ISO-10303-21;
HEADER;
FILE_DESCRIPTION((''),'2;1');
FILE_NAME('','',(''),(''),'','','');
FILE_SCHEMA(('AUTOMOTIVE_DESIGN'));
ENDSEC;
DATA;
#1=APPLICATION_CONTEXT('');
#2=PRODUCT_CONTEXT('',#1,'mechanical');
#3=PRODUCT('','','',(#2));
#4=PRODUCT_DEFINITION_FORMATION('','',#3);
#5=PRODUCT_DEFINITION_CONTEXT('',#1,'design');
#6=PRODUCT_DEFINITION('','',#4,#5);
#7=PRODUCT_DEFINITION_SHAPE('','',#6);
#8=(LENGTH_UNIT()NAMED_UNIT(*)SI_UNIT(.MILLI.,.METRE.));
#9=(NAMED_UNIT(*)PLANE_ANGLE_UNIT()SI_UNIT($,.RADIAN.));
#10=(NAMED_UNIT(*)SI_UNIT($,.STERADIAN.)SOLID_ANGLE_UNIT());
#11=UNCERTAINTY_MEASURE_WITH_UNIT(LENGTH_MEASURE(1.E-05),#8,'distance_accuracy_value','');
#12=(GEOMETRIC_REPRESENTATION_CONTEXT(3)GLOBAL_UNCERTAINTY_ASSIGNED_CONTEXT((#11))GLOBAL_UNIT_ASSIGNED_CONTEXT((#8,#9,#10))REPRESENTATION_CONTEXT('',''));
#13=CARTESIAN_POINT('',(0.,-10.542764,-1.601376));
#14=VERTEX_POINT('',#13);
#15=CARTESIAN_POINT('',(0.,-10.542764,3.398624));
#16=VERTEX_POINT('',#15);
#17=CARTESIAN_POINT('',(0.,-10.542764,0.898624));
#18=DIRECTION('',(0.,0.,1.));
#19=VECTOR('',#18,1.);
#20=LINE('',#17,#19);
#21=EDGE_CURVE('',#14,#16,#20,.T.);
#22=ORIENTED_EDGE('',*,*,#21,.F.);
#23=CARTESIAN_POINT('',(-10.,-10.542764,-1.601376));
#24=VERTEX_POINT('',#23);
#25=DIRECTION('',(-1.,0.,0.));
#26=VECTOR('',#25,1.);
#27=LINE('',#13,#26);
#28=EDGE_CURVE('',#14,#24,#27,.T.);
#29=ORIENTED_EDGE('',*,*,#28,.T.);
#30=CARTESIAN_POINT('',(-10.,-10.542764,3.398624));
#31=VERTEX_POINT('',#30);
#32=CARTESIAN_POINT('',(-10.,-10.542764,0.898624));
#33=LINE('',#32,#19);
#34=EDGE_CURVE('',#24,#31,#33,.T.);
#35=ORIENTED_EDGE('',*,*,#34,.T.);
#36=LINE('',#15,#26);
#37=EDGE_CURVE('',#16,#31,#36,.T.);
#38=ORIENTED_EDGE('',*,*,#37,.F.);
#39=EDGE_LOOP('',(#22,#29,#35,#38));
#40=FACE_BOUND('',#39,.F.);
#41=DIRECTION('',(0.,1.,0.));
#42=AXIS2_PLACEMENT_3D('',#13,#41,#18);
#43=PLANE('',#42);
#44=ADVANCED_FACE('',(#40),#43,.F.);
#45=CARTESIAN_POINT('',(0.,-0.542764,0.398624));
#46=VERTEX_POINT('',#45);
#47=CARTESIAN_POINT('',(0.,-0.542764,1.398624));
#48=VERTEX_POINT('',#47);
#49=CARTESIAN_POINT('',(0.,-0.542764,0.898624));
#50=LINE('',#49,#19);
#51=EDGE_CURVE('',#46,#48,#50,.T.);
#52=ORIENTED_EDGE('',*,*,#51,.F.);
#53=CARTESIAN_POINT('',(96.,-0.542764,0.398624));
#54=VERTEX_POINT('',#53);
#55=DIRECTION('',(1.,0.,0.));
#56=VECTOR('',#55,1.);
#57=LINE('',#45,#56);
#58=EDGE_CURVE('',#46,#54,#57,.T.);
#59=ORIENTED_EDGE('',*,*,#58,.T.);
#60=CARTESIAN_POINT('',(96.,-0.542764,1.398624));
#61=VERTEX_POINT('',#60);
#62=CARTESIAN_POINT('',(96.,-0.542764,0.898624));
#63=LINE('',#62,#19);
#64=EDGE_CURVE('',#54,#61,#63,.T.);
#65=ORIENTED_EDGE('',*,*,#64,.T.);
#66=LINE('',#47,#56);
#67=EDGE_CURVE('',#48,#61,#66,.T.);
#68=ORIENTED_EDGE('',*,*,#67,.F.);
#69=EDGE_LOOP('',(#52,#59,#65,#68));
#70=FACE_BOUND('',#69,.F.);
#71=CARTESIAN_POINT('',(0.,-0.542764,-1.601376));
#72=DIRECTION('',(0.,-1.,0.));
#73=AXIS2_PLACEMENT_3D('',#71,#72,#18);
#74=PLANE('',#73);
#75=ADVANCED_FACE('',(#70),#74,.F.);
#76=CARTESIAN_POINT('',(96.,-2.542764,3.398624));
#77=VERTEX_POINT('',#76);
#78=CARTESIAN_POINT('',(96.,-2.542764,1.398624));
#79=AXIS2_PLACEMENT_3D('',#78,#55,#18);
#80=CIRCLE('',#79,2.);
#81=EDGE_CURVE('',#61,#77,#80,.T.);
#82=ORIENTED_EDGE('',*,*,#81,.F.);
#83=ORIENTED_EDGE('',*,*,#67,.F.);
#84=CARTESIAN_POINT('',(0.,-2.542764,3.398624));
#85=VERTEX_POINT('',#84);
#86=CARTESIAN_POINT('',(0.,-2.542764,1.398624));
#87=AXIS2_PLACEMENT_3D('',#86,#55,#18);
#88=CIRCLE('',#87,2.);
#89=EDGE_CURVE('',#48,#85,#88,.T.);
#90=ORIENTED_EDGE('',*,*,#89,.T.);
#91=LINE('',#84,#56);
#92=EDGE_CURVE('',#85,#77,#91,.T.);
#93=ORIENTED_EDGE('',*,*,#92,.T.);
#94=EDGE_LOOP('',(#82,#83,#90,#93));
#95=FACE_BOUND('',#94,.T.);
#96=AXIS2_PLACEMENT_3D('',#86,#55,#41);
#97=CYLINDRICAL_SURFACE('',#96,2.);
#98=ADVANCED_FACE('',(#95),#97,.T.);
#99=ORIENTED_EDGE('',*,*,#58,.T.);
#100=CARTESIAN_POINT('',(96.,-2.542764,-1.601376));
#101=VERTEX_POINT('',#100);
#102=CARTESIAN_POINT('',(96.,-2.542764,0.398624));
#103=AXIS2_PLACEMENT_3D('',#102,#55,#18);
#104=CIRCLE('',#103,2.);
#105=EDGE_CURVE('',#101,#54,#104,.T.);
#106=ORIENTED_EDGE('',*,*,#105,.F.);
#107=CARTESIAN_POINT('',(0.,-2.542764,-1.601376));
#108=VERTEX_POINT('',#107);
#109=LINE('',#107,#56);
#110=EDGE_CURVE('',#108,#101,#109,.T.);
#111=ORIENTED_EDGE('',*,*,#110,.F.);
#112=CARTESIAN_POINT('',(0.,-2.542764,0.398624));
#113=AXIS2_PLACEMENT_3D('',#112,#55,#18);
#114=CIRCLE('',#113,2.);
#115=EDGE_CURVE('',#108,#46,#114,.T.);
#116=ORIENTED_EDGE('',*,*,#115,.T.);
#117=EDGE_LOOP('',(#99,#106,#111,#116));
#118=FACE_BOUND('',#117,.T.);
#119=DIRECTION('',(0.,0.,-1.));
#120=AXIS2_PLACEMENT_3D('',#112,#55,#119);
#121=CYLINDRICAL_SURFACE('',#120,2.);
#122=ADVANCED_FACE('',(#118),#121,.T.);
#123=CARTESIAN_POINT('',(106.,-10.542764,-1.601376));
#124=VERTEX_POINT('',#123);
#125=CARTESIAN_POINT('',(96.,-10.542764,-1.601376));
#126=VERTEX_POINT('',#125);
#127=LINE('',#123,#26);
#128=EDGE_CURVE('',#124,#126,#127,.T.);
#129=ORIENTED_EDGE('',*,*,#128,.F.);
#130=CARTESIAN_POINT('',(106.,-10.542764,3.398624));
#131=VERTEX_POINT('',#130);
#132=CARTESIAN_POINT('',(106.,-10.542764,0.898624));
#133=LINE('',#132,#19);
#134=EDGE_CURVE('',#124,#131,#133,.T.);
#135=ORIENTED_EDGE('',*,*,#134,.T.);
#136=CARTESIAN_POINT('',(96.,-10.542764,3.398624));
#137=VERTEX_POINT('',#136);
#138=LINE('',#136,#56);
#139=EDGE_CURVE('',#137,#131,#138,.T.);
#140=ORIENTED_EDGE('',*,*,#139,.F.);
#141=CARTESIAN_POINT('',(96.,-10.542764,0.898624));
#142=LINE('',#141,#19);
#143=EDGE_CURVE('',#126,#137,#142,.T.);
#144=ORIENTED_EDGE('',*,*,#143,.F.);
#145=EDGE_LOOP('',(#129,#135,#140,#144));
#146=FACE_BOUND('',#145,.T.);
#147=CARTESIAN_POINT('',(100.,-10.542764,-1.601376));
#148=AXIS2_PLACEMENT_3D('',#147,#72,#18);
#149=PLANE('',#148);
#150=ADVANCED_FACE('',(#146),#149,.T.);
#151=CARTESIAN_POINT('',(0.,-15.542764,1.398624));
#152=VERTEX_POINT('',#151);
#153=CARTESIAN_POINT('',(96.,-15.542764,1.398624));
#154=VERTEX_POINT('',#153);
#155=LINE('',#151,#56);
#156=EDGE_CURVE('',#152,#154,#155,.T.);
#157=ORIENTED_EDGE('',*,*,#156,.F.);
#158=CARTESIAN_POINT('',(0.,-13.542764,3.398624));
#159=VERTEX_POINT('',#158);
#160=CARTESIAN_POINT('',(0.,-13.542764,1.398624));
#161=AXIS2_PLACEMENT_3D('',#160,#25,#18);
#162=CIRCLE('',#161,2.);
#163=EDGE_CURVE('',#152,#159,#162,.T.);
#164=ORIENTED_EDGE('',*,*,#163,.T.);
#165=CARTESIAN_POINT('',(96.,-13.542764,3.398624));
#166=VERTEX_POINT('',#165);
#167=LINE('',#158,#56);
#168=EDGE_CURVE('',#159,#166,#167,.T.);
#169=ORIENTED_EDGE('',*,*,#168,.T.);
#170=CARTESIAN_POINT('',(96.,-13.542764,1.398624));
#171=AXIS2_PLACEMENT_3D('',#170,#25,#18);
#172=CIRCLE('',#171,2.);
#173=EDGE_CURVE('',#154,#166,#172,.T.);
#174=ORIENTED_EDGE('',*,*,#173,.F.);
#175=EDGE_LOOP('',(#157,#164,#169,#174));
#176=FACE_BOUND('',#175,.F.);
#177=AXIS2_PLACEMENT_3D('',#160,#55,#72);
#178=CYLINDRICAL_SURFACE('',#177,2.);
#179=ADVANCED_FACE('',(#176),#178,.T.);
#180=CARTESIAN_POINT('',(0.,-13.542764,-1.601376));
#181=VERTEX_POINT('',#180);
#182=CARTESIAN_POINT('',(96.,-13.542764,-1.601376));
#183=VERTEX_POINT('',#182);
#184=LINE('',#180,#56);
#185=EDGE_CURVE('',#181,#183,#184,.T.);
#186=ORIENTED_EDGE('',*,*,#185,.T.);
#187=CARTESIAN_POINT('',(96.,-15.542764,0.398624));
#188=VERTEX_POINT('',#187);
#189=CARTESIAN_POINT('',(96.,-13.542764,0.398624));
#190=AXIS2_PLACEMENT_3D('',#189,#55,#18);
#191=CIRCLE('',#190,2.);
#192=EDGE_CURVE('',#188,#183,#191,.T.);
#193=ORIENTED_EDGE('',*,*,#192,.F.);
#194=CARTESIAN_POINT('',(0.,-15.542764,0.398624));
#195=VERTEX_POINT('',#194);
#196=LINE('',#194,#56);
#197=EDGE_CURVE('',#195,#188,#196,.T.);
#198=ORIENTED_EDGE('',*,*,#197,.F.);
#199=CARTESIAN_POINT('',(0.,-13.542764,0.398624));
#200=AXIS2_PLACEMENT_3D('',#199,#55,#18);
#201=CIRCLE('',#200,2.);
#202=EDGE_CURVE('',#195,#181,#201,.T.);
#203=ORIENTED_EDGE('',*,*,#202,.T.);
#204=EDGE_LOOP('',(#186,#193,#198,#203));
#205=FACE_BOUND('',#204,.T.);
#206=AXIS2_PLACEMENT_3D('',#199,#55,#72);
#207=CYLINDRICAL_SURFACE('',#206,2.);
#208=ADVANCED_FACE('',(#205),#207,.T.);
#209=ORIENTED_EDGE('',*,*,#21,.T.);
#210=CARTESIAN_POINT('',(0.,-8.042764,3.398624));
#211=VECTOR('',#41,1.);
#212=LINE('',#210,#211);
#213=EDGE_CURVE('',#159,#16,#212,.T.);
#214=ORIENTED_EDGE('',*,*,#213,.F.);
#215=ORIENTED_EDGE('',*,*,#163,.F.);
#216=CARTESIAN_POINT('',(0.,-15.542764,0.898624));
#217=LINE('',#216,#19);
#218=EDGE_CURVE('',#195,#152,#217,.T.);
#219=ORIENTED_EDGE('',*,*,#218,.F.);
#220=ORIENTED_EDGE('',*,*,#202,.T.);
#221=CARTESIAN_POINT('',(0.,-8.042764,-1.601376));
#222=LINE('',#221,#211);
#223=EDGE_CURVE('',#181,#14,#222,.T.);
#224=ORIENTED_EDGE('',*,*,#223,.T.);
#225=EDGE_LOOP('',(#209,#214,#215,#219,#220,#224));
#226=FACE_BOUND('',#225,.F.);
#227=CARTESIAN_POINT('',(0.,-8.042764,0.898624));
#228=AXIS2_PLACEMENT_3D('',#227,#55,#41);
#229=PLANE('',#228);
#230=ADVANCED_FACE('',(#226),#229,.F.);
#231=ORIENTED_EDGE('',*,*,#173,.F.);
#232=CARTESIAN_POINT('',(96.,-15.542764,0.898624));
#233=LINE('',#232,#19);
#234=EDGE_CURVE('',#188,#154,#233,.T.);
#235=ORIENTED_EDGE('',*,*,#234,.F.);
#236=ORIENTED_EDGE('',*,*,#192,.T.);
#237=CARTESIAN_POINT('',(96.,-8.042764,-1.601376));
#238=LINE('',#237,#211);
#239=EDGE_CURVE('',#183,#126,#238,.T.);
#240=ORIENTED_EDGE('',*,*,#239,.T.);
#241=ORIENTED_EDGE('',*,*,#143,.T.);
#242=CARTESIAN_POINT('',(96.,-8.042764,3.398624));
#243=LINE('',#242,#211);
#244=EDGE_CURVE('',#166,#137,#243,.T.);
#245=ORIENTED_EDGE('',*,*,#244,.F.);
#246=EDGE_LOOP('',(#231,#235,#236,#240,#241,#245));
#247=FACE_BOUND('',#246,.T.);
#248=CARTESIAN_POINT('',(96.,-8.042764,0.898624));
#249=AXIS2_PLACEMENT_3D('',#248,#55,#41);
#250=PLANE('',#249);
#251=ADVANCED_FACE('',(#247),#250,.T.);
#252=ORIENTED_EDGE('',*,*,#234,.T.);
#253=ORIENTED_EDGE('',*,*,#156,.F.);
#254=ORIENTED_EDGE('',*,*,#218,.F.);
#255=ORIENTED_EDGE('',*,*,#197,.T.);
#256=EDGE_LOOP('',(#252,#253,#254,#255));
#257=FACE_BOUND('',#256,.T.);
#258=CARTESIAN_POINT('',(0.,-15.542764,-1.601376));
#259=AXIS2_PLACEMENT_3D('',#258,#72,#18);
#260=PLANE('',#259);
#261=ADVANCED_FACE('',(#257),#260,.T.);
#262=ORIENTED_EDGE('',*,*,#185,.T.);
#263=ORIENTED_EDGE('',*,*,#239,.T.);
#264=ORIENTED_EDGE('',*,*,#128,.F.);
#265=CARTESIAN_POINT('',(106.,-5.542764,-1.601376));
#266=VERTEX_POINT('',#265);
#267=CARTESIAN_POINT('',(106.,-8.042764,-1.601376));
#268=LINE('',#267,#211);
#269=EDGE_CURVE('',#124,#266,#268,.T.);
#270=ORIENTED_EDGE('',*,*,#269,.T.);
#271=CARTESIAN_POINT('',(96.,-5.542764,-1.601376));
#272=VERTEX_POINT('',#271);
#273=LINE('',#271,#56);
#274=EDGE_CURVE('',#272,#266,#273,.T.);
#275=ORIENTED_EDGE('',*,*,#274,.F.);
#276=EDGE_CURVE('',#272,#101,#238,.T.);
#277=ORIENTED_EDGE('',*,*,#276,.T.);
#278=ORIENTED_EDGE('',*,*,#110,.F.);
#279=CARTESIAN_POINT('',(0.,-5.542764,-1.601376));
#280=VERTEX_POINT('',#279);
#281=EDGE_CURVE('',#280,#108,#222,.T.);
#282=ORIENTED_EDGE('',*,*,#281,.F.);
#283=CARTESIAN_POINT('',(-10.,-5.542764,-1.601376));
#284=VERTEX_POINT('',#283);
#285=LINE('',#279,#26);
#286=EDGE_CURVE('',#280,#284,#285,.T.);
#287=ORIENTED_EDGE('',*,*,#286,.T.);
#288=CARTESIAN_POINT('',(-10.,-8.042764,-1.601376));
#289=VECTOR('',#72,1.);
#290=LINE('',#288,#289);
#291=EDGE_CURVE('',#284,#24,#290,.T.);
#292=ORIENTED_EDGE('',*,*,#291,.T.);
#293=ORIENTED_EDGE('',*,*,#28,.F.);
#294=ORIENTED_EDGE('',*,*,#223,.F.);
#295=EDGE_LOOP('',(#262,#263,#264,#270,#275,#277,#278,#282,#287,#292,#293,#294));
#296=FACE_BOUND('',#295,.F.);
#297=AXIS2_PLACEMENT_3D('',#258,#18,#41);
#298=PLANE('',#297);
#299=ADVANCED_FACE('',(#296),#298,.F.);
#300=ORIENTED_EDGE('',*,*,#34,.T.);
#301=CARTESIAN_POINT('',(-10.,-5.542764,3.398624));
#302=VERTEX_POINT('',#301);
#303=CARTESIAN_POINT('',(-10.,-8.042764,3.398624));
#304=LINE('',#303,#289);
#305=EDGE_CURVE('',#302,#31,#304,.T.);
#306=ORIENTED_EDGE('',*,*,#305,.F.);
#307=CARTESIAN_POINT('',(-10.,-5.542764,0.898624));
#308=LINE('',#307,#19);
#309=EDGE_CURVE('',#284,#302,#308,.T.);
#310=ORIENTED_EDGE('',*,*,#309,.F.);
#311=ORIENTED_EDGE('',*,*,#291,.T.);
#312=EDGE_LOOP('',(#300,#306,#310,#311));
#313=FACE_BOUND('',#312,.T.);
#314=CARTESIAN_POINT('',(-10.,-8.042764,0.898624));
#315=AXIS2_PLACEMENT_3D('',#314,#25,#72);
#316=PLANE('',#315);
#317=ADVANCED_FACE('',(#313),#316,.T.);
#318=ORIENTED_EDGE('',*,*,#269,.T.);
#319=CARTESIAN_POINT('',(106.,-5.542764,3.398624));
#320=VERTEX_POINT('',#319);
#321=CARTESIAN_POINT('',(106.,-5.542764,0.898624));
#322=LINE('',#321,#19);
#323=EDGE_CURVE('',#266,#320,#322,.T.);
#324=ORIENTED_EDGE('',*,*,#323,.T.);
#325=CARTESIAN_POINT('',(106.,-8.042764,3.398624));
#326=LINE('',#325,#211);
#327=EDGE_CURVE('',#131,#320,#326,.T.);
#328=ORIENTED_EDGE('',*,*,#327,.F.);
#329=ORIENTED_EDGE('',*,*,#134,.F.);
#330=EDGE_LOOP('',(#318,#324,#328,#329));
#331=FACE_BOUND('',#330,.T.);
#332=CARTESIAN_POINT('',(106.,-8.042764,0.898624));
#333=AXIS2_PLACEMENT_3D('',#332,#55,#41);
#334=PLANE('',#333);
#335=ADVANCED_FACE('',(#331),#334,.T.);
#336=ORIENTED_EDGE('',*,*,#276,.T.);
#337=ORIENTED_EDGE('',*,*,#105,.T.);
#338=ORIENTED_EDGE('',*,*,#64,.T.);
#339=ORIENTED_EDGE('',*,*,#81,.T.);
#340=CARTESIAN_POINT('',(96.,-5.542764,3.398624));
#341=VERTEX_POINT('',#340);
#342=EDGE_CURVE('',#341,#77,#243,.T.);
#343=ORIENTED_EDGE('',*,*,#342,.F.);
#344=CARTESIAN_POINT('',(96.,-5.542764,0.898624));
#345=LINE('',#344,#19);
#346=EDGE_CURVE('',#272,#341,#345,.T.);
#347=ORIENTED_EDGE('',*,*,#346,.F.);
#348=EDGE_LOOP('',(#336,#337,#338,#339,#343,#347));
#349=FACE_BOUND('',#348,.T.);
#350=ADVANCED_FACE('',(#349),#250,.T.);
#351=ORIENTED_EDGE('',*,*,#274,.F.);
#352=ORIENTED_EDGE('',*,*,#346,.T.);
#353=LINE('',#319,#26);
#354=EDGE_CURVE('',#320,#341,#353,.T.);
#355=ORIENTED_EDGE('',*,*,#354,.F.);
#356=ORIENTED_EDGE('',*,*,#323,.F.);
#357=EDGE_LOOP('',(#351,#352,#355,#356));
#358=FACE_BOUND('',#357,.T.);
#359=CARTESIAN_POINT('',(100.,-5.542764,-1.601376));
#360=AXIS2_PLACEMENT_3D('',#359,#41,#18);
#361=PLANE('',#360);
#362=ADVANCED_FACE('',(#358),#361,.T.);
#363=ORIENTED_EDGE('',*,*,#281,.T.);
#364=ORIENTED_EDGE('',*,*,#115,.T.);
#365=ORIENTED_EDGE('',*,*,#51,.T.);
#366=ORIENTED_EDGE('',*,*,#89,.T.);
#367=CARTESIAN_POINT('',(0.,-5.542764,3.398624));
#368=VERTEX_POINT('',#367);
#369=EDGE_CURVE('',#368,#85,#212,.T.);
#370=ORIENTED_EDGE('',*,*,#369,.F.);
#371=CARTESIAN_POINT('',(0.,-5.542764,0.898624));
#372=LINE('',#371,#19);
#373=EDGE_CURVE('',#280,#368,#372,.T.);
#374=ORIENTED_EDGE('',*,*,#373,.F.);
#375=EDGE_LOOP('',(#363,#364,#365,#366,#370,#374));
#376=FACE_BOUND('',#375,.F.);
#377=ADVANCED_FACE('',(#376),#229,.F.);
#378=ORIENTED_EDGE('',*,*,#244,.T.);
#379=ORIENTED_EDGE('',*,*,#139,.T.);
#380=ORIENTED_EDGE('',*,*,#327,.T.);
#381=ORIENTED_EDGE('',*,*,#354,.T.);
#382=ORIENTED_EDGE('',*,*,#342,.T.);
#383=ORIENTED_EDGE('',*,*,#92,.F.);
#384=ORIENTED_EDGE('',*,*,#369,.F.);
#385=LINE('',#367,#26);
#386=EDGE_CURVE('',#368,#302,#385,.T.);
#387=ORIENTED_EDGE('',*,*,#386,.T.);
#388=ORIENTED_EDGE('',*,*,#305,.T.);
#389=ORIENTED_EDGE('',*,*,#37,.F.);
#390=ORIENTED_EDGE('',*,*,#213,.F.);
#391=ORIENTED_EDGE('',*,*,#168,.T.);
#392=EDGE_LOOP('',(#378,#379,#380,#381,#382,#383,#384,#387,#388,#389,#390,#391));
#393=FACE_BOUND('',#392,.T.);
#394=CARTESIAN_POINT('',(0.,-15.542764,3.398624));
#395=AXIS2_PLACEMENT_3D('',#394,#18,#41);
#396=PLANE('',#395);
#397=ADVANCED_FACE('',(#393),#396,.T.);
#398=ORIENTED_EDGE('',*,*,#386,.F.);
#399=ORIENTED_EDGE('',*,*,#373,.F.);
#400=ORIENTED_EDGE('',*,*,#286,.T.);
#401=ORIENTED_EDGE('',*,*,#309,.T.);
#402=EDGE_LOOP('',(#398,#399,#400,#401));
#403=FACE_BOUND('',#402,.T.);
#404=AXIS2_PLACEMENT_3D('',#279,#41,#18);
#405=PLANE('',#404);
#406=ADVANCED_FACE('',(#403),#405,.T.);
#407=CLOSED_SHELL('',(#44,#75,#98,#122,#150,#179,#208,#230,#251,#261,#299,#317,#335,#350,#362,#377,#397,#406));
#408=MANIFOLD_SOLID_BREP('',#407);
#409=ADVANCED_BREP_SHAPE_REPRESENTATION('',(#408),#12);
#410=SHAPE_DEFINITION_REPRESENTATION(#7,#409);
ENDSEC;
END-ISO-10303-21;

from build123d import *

# Parameters (mm, degrees)
F0_W     = 15
F0_H     = 5
F1_DEPTH = 100
F2_W     = 5
F2_H     = 5
F3_DEPTH = 10
F4_W     = 5
F4_H     = 5
F5_DEPTH = 10
F6_DEPTH = 4
F7_R     = 2


with BuildPart() as f1:
    # F0 (on Right) → F1 (new body)
    with BuildSketch(Plane.YZ):
        with Locations((-8.0427642167, 0.8986243606)):
            Rectangle(F0_W, F0_H)
    extrude(amount=F1_DEPTH)

    # F2 (on face) → F3 (join)
    with BuildSketch(Plane.YZ.offset(100)):
        with Locations((-8.0427642167, 0.8986243606)):
            Rectangle(F2_W, F2_H)
    extrude(amount=F3_DEPTH)

    # F4 (on face) → F5 (join)
    with BuildSketch(Plane(origin=(0, 0, 0), x_dir=(0, -1, 0), z_dir=(-1, 0, 0))):
        with Locations((8.0427642167, 0.8986243606)):
            Rectangle(F4_W, F4_H)
    extrude(amount=F5_DEPTH)

    # F6 (cut): faces of the model
    f6_faces = [f1.faces().sort_by_distance(p)[0] for p in [
        (100, -13.0427642167, 0.8986243606),
        (100, -3.0427642167, 0.8986243606),
        (110, -8.0427642167, 0.8986243606),
    ]]
    extrude(f6_faces, amount=-F6_DEPTH, mode=Mode.SUBTRACT)

    # F7
    f7_edges = [f1.edges().sort_by_distance(p)[0] for p in [
        (48, -15.542764, 3.398624),
        (48, -0.542764, 3.398624),
        (48, -0.542764, -1.601376),
        (48, -15.542764, -1.601376),
    ]]
    fillet(f7_edges, radius=F7_R)


solid = f1.part
